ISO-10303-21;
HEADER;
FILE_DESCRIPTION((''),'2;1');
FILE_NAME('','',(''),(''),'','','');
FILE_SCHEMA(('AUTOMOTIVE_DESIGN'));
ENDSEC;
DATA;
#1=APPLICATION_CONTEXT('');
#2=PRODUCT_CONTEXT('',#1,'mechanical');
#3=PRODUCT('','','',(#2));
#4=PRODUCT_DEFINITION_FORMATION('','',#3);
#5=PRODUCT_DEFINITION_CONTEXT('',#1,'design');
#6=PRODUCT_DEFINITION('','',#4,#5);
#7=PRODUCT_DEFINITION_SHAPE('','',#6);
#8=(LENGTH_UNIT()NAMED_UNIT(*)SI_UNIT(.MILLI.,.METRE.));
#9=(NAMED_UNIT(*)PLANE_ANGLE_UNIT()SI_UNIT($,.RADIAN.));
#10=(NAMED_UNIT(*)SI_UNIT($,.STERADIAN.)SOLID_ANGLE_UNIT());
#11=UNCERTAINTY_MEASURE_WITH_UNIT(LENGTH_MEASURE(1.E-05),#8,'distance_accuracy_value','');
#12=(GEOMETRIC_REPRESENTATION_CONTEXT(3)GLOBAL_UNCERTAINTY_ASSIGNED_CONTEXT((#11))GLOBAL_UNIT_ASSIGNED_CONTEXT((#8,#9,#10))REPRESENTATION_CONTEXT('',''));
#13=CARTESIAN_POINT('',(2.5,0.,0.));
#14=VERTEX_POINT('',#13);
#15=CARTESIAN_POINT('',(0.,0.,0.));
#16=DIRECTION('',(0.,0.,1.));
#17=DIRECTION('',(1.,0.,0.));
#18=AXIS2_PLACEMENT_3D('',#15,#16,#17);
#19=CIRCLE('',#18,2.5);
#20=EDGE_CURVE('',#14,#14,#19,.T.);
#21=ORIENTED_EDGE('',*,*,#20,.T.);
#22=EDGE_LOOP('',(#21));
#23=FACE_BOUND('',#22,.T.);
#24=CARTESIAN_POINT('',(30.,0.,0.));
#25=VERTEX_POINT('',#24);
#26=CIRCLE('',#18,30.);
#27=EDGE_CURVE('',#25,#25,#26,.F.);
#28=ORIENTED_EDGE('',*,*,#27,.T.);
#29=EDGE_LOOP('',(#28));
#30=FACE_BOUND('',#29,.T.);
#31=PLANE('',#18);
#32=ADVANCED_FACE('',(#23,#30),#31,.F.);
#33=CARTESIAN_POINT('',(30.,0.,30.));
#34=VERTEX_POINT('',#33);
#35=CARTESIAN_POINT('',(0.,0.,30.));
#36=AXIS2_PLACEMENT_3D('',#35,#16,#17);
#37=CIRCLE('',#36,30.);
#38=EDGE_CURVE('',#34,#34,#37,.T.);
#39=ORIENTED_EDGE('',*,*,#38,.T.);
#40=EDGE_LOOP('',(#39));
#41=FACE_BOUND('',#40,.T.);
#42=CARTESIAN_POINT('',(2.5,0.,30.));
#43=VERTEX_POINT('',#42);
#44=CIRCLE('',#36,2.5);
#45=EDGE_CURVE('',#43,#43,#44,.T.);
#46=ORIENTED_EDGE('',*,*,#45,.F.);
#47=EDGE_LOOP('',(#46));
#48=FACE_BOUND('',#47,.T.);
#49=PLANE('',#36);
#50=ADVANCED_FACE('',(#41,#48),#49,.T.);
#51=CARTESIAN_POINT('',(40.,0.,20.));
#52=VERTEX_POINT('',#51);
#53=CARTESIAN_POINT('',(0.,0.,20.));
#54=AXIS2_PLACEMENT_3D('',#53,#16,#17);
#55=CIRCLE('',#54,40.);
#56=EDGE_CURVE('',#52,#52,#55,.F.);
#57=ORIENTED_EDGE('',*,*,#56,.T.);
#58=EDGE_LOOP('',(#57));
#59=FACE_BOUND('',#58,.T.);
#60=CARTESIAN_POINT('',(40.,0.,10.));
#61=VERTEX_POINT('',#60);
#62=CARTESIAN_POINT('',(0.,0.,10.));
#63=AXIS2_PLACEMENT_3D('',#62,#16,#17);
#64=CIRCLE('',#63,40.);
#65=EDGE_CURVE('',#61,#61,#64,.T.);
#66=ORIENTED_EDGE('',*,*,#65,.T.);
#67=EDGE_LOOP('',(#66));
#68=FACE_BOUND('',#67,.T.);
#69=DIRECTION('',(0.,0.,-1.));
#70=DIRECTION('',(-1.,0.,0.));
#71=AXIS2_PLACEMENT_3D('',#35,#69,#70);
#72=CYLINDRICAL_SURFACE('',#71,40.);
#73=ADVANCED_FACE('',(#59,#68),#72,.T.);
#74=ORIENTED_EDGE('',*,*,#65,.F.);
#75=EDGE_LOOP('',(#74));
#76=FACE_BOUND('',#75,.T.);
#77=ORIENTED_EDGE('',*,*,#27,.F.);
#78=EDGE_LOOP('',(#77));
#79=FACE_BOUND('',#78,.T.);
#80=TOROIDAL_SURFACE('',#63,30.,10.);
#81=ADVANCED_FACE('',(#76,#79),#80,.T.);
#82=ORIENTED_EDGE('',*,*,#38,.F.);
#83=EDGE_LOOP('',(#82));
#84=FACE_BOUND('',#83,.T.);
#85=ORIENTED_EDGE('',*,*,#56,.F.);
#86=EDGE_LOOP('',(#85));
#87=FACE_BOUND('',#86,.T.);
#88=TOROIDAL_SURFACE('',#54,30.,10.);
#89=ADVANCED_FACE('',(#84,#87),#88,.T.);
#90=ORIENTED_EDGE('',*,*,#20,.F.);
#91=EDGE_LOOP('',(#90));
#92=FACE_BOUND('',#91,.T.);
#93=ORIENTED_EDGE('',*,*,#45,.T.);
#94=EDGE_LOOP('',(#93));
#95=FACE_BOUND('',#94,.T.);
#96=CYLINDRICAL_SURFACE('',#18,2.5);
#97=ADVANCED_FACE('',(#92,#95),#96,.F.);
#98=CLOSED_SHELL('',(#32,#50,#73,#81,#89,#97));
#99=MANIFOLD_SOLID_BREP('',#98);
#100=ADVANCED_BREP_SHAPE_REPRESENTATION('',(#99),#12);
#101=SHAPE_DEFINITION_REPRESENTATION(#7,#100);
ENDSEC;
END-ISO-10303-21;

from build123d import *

# Parameters (mm, degrees)
SKETCH1_R           = 40
BOSS_EXTRUDE1_DEPTH = 30
FILLET1_R           = 10
SKETCH2_R           = 2.5
CUT_EXTRUDE1_DEPTH  = 30


with BuildPart() as part:
    # Sketch1 → Boss-Extrude1 (new body)
    with BuildSketch(Plane.XY):
        Circle(SKETCH1_R)
    extrude(amount=BOSS_EXTRUDE1_DEPTH)

    # Fillet1
    fillet1_edges = [part.edges().sort_by_distance(p)[0] for p in [
        (-40, 0, 0),
        (-40, 0, 30),
    ]]
    fillet(fillet1_edges, radius=FILLET1_R)

    # Sketch2 → Cut-Extrude1 (cut)
    with BuildSketch(Plane.XY.offset(30)):
        Circle(SKETCH2_R)
    extrude(amount=-CUT_EXTRUDE1_DEPTH, mode=Mode.SUBTRACT)


solid = part.part
